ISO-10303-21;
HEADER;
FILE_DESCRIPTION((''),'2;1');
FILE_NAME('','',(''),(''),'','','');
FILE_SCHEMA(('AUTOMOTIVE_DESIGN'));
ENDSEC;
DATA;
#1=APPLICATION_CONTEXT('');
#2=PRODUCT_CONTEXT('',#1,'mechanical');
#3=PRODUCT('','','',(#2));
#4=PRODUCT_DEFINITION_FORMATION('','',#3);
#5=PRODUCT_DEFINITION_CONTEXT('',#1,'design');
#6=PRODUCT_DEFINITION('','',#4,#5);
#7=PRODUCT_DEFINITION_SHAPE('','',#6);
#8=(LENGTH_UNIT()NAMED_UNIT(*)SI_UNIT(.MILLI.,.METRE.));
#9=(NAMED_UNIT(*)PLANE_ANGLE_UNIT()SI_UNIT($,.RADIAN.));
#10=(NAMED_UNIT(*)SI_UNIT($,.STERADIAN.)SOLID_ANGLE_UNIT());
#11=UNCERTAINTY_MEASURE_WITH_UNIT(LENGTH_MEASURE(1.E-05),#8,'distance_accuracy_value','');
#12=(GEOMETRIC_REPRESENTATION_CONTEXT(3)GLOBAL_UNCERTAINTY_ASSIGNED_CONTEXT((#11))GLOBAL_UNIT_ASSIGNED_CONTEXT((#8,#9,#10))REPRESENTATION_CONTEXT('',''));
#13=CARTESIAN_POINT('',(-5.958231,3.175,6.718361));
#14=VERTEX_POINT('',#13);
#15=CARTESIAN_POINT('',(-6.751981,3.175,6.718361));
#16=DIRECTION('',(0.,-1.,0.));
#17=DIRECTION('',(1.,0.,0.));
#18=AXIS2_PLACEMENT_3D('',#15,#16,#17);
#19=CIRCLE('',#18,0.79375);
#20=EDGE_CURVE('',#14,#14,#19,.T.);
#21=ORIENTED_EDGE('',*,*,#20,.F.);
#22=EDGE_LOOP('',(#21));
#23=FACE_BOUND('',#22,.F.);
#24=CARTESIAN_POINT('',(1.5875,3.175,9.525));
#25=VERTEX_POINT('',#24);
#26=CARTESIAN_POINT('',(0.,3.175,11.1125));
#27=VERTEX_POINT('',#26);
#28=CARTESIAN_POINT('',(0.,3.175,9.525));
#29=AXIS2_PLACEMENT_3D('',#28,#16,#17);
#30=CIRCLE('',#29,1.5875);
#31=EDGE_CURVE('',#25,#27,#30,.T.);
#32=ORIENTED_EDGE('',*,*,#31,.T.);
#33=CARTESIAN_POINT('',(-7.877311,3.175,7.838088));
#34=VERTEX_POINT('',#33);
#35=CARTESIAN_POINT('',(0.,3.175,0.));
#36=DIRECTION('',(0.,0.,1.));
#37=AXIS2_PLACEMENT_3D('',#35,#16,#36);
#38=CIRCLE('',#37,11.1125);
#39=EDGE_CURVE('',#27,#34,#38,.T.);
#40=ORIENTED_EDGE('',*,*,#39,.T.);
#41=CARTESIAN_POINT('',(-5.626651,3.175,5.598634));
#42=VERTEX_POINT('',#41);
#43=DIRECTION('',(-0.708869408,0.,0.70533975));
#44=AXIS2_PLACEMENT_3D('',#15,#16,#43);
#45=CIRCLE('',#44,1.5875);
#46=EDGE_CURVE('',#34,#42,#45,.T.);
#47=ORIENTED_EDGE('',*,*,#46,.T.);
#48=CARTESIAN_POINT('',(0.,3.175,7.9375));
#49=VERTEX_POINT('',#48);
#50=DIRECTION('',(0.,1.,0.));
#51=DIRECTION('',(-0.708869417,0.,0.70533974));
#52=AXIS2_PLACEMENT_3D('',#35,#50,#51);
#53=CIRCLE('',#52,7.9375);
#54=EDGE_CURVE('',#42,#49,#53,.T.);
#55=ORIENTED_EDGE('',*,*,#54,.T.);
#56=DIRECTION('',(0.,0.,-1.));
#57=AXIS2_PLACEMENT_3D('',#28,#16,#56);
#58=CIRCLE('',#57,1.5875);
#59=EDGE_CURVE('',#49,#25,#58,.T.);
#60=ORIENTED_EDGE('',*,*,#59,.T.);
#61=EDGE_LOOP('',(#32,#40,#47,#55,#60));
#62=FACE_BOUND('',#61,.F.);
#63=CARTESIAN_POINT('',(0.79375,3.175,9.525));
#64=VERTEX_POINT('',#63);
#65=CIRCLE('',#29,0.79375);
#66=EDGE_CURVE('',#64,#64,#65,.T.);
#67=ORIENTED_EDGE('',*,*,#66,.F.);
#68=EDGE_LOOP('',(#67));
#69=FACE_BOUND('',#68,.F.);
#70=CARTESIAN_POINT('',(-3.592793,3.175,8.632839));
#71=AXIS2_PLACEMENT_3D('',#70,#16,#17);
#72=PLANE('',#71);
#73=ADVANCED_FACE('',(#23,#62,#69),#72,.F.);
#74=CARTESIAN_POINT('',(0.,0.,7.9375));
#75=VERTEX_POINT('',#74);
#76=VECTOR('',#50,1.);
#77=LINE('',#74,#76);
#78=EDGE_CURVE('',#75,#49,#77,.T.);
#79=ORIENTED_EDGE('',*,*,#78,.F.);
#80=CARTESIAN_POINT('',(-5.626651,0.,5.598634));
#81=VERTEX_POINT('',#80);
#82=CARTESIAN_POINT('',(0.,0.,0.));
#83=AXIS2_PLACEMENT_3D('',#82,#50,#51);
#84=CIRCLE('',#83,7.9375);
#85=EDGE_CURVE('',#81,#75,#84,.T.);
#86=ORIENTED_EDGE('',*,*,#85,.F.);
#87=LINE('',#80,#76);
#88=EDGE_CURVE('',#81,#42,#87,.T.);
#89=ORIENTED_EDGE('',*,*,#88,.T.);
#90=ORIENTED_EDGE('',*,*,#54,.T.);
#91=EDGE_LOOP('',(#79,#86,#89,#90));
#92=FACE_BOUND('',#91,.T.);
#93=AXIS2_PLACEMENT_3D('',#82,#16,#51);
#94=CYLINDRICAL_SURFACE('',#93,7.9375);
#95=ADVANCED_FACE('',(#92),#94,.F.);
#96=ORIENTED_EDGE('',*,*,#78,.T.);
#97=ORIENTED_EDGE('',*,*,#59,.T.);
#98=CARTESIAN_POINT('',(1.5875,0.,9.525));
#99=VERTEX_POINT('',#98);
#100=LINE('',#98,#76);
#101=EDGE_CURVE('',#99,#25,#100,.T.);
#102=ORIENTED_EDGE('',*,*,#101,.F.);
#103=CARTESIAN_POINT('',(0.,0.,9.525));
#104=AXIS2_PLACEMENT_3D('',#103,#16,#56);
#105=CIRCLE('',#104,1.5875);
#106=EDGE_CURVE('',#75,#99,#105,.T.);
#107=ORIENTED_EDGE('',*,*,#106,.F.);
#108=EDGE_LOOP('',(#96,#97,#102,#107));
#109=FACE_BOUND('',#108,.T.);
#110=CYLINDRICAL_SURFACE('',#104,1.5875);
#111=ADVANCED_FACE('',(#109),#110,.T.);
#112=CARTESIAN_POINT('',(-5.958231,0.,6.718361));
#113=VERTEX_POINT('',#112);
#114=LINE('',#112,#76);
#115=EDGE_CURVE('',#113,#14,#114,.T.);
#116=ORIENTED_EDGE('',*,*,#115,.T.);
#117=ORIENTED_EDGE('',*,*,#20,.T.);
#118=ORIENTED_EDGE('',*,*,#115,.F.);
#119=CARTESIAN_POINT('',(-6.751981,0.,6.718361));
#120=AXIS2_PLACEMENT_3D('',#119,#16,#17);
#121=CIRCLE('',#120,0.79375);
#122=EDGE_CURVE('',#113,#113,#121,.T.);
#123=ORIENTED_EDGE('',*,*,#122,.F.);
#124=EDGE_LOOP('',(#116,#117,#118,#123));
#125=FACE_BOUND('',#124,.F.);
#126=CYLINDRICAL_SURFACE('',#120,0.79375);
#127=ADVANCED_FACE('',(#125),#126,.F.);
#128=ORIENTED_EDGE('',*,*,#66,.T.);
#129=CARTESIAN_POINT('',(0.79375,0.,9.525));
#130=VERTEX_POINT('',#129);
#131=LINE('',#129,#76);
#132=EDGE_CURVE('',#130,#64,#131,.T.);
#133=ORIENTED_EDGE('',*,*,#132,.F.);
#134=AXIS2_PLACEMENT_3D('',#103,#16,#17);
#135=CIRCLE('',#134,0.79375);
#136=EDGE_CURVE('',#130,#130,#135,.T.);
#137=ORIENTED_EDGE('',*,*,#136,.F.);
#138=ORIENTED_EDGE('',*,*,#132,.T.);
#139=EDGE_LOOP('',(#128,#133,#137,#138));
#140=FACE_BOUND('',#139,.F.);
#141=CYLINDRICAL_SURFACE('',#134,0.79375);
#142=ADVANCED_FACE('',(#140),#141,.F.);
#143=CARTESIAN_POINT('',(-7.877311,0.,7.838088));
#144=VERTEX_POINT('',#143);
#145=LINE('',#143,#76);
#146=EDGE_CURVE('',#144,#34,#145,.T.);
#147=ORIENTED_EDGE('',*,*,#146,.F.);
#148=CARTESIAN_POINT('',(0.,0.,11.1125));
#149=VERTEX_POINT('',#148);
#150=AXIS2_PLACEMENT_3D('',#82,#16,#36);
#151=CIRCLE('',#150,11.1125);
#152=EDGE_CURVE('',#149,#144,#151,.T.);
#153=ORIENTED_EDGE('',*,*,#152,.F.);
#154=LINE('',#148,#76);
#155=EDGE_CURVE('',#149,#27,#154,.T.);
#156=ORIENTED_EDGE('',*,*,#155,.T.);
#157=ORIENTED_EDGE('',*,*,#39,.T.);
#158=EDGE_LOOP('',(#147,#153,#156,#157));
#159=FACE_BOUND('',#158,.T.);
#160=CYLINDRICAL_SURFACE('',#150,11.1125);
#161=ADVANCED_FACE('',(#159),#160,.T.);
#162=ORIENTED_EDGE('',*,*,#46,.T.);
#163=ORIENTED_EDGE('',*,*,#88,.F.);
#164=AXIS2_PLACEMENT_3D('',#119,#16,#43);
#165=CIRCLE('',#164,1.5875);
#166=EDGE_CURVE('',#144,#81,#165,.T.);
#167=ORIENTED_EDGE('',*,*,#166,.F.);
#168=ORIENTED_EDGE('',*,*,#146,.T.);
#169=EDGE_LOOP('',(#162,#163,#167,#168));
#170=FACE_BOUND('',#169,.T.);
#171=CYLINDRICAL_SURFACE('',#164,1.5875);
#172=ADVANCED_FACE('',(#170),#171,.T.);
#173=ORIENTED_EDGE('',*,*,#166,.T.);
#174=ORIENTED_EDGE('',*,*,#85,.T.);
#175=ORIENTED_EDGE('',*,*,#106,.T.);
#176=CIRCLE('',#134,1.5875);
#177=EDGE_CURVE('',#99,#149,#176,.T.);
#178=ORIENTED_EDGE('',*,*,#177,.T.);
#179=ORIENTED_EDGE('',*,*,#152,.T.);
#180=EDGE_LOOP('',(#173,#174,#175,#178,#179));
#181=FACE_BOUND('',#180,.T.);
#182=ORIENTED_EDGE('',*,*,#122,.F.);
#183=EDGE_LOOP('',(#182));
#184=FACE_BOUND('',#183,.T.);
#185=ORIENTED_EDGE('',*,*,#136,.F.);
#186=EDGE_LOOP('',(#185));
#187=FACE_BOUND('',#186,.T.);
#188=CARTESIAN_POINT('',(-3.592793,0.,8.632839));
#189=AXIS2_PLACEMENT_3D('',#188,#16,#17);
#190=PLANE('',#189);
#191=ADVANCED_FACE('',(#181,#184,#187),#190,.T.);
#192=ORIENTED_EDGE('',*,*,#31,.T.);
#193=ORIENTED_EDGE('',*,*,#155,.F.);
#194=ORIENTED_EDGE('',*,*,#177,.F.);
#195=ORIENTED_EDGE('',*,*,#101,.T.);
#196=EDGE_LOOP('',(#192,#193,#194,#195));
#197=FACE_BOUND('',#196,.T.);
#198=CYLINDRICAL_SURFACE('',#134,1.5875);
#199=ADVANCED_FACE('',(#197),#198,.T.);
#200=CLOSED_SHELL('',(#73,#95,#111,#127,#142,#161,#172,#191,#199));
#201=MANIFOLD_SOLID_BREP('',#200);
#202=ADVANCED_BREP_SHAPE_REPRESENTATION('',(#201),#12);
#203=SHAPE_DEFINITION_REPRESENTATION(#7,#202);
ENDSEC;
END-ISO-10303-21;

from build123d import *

# Parameters (mm, degrees)
F0_R     = 0.79375
F1_DEPTH = 3.175


with BuildPart() as f1:
    # F0 (on Front) → F1 (new body)
    with BuildSketch(Plane.XZ):
        with BuildLine():
            ThreePointArc((-5.6266509982, 5.59863419), (-3.0466988173, 7.3294974293), (0, 7.9375))
            ThreePointArc((0, 7.9375), (-1.5875, 9.525), (0, 11.1125))
            ThreePointArc((0, 11.1125), (-4.2653783436, 10.2612964013), (-7.8773113966, 7.838087867))
            ThreePointArc((-7.8773113966, 7.838087867), (-6.1463020137, 8.1857767564), (-5.1644812114, 6.7183610145))
            ThreePointArc((-5.1644812114, 6.7183610145), (-5.284565462, 6.1126818351), (-5.6266509982, 5.59863419))
        make_face()
        with BuildLine():
            ThreePointArc((0, 11.1125), (-1.5875, 9.525), (0, 7.9375))
            ThreePointArc((0, 7.9375), (1.1225320151, 8.4024679849), (1.5875, 9.525))
            ThreePointArc((1.5875, 9.525), (1.1225320151, 10.6475320151), (0, 11.1125))
        make_face()
        with Locations((0, 9.525)):
            Circle(F0_R, mode=Mode.SUBTRACT)
        with BuildLine():
            ThreePointArc((-7.8773113966, 7.838087867), (-7.8717080499, 5.5930308153), (-5.6266509982, 5.59863419))
            ThreePointArc((-5.6266509982, 5.59863419), (-5.284565462, 6.1126818351), (-5.1644812114, 6.7183610145))
            ThreePointArc((-5.1644812114, 6.7183610145), (-6.1463020137, 8.1857767564), (-7.8773113966, 7.838087867))
        make_face()
        with Locations((-6.7519812114, 6.7183610145)):
            Circle(F0_R, mode=Mode.SUBTRACT)
    extrude(amount=-F1_DEPTH)


solid = f1.part
